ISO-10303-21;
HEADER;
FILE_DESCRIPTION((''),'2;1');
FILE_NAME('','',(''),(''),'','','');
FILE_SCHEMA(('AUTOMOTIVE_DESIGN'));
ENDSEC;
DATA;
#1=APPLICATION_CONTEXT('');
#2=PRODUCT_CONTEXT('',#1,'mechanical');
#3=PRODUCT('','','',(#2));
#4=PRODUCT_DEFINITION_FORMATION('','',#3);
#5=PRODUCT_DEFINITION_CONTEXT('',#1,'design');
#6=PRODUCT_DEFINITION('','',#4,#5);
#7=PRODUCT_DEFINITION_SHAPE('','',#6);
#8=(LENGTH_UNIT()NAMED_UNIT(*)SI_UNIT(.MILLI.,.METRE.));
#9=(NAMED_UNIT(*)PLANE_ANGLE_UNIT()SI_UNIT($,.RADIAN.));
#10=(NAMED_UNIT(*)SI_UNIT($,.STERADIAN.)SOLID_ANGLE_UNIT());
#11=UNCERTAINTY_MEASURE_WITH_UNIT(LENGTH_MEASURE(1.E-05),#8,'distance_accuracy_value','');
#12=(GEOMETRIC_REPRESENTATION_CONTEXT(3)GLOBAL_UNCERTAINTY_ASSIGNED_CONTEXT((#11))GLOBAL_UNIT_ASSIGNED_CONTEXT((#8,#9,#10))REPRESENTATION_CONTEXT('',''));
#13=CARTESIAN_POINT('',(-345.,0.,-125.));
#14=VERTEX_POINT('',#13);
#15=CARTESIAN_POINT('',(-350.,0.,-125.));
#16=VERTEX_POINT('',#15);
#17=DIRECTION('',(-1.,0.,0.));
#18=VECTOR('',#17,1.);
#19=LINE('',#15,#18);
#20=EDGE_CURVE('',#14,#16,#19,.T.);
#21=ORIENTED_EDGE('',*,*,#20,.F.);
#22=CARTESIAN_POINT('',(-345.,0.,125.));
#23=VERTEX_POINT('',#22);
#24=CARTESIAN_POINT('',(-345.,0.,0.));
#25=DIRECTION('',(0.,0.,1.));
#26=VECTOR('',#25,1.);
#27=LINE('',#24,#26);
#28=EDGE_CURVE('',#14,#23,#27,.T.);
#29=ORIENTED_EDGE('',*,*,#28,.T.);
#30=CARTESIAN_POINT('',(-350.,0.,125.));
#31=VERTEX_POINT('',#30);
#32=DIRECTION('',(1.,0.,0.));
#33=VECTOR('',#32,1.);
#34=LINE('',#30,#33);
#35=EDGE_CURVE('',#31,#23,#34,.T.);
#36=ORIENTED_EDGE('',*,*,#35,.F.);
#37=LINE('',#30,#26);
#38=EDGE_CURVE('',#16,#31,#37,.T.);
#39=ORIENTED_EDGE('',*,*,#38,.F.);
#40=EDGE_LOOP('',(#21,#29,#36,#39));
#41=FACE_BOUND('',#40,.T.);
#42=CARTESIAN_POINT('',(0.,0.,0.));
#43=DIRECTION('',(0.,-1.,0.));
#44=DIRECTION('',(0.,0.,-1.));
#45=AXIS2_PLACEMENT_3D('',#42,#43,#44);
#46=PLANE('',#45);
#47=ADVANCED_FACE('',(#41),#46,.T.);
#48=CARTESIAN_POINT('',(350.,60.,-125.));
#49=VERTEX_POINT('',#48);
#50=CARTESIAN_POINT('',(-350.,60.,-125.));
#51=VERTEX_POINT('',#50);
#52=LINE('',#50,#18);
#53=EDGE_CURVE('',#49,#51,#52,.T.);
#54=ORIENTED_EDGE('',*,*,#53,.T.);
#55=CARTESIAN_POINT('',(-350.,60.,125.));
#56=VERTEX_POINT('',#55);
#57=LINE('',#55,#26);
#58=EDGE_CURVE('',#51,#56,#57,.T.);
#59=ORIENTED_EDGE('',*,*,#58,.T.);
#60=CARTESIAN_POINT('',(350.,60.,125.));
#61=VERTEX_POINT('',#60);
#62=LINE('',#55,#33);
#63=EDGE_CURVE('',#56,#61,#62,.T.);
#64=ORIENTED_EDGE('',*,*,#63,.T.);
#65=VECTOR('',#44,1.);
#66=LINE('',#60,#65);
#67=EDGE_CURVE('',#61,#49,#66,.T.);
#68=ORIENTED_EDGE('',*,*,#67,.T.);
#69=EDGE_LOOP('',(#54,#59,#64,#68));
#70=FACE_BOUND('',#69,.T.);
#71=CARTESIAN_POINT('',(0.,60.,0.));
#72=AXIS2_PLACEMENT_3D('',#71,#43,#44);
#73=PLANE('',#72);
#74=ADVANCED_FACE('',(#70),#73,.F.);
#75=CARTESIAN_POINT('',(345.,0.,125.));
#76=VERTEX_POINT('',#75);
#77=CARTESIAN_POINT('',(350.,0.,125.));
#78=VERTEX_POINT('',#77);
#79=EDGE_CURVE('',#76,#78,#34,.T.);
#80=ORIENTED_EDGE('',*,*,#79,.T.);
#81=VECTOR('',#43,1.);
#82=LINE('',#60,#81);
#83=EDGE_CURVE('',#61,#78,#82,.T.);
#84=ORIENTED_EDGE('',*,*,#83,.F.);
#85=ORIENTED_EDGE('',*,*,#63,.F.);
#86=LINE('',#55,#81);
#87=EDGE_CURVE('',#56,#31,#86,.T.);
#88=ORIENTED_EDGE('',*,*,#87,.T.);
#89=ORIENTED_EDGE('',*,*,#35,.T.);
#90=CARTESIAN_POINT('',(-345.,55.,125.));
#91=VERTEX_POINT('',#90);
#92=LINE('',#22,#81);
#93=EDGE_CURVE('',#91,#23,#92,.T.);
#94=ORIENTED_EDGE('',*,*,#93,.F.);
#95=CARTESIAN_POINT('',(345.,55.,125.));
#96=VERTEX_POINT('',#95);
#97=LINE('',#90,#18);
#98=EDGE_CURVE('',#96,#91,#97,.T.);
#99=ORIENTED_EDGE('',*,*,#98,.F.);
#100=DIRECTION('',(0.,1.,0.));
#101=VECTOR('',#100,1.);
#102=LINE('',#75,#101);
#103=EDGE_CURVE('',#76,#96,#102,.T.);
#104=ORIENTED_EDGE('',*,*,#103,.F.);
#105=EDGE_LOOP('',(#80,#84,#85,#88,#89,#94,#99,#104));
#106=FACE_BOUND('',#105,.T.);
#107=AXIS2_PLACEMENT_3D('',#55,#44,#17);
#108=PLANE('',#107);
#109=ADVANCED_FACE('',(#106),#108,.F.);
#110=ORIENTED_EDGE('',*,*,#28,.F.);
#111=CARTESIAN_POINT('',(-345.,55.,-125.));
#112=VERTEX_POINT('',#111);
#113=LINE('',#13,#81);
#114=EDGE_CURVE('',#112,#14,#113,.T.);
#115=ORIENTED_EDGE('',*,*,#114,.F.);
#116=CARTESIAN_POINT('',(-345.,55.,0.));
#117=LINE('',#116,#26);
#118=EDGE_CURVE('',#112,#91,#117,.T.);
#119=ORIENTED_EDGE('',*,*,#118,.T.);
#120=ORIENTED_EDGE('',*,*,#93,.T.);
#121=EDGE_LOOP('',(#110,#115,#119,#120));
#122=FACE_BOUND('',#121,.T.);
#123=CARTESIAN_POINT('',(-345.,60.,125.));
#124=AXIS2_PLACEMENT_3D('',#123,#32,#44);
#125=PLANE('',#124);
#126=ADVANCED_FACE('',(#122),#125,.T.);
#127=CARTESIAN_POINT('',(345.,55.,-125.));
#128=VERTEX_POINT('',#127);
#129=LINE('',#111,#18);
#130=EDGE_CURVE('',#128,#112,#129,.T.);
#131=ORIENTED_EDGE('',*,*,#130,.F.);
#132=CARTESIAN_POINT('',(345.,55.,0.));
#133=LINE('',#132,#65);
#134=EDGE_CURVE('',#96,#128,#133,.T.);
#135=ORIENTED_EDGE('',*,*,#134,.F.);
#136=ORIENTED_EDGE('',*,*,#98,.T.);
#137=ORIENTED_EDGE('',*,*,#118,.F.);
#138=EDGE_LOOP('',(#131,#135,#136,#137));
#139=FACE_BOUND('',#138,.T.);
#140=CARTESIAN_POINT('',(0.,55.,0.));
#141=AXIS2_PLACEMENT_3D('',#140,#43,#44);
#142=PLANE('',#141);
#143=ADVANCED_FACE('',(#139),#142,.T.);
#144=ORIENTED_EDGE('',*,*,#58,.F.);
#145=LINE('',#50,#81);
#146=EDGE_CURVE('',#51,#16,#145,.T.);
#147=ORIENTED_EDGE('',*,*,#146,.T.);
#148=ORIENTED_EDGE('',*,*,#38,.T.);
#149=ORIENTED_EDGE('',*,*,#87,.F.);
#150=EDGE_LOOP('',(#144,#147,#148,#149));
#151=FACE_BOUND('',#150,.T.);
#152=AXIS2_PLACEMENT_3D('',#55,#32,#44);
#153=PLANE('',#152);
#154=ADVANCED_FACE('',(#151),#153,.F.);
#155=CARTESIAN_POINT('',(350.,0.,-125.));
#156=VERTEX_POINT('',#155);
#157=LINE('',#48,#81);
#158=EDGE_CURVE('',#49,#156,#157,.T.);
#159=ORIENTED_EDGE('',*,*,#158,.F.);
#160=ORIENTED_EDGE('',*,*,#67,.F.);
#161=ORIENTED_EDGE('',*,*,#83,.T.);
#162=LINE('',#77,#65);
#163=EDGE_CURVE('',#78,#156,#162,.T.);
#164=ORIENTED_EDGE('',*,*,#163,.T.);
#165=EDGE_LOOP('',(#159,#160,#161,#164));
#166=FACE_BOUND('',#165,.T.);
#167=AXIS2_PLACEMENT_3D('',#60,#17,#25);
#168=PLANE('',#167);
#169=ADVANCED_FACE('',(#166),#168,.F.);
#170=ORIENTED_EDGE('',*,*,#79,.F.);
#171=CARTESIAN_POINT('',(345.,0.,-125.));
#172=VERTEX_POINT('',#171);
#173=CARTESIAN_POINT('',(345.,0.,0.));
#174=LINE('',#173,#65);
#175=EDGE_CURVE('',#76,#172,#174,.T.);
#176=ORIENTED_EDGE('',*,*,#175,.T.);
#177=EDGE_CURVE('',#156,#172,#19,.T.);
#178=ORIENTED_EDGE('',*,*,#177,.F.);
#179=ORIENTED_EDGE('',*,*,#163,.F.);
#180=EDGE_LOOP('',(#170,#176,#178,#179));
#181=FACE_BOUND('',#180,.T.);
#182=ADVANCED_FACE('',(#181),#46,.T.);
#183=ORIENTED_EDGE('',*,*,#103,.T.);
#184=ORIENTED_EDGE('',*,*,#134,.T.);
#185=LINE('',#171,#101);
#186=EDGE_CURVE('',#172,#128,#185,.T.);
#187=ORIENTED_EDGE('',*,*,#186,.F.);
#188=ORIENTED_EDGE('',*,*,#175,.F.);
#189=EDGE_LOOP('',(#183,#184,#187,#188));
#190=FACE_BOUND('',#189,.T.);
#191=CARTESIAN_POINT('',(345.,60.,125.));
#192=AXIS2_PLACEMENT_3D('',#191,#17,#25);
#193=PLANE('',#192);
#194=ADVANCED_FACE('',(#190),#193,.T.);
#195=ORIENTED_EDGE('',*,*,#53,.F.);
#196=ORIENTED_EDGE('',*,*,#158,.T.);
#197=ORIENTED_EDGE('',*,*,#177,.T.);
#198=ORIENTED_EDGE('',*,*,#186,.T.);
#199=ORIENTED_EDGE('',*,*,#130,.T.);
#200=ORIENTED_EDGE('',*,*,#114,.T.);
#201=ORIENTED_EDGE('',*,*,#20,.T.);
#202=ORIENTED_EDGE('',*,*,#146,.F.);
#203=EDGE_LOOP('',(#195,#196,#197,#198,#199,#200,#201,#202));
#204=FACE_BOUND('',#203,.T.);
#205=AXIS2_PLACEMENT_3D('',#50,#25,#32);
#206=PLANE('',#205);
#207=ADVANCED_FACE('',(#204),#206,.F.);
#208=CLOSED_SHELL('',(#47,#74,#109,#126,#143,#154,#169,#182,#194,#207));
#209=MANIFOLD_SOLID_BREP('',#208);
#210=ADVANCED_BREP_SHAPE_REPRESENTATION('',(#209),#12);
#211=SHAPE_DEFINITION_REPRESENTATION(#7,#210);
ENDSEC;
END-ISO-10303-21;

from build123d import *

# Parameters (mm, degrees)
SKETCH1_W           = 700
SKETCH1_H           = 250
BOSS_EXTRUDE1_DEPTH = 60
SHELL1_T            = -5
SKETCH3_W           = 690
SKETCH3_H           = 55
CUT_EXTRUDE1_DEPTH  = 435.281015012


with BuildPart() as part:
    # Sketch1 → Boss-Extrude1 (new body)
    with BuildSketch(Plane(origin=(0, 0, 0), x_dir=(1, 0, 0), z_dir=(0, 1, 0))):
        Rectangle(SKETCH1_W, SKETCH1_H)
    extrude(amount=BOSS_EXTRUDE1_DEPTH)

    # Shell1
    shell1_openings = [part.faces().sort_by_distance(p)[0] for p in [
        (0, 0, 0),
    ]]
    offset(amount=SHELL1_T, openings=shell1_openings, kind=Kind.INTERSECTION)

    # Sketch3 → Cut-Extrude1 (cut, through all)
    with BuildSketch(Plane.XY.offset(125)):
        with Locations((0, 27.5)):
            Rectangle(SKETCH3_W, SKETCH3_H)
    extrude(amount=-CUT_EXTRUDE1_DEPTH, mode=Mode.SUBTRACT)


solid = part.part
